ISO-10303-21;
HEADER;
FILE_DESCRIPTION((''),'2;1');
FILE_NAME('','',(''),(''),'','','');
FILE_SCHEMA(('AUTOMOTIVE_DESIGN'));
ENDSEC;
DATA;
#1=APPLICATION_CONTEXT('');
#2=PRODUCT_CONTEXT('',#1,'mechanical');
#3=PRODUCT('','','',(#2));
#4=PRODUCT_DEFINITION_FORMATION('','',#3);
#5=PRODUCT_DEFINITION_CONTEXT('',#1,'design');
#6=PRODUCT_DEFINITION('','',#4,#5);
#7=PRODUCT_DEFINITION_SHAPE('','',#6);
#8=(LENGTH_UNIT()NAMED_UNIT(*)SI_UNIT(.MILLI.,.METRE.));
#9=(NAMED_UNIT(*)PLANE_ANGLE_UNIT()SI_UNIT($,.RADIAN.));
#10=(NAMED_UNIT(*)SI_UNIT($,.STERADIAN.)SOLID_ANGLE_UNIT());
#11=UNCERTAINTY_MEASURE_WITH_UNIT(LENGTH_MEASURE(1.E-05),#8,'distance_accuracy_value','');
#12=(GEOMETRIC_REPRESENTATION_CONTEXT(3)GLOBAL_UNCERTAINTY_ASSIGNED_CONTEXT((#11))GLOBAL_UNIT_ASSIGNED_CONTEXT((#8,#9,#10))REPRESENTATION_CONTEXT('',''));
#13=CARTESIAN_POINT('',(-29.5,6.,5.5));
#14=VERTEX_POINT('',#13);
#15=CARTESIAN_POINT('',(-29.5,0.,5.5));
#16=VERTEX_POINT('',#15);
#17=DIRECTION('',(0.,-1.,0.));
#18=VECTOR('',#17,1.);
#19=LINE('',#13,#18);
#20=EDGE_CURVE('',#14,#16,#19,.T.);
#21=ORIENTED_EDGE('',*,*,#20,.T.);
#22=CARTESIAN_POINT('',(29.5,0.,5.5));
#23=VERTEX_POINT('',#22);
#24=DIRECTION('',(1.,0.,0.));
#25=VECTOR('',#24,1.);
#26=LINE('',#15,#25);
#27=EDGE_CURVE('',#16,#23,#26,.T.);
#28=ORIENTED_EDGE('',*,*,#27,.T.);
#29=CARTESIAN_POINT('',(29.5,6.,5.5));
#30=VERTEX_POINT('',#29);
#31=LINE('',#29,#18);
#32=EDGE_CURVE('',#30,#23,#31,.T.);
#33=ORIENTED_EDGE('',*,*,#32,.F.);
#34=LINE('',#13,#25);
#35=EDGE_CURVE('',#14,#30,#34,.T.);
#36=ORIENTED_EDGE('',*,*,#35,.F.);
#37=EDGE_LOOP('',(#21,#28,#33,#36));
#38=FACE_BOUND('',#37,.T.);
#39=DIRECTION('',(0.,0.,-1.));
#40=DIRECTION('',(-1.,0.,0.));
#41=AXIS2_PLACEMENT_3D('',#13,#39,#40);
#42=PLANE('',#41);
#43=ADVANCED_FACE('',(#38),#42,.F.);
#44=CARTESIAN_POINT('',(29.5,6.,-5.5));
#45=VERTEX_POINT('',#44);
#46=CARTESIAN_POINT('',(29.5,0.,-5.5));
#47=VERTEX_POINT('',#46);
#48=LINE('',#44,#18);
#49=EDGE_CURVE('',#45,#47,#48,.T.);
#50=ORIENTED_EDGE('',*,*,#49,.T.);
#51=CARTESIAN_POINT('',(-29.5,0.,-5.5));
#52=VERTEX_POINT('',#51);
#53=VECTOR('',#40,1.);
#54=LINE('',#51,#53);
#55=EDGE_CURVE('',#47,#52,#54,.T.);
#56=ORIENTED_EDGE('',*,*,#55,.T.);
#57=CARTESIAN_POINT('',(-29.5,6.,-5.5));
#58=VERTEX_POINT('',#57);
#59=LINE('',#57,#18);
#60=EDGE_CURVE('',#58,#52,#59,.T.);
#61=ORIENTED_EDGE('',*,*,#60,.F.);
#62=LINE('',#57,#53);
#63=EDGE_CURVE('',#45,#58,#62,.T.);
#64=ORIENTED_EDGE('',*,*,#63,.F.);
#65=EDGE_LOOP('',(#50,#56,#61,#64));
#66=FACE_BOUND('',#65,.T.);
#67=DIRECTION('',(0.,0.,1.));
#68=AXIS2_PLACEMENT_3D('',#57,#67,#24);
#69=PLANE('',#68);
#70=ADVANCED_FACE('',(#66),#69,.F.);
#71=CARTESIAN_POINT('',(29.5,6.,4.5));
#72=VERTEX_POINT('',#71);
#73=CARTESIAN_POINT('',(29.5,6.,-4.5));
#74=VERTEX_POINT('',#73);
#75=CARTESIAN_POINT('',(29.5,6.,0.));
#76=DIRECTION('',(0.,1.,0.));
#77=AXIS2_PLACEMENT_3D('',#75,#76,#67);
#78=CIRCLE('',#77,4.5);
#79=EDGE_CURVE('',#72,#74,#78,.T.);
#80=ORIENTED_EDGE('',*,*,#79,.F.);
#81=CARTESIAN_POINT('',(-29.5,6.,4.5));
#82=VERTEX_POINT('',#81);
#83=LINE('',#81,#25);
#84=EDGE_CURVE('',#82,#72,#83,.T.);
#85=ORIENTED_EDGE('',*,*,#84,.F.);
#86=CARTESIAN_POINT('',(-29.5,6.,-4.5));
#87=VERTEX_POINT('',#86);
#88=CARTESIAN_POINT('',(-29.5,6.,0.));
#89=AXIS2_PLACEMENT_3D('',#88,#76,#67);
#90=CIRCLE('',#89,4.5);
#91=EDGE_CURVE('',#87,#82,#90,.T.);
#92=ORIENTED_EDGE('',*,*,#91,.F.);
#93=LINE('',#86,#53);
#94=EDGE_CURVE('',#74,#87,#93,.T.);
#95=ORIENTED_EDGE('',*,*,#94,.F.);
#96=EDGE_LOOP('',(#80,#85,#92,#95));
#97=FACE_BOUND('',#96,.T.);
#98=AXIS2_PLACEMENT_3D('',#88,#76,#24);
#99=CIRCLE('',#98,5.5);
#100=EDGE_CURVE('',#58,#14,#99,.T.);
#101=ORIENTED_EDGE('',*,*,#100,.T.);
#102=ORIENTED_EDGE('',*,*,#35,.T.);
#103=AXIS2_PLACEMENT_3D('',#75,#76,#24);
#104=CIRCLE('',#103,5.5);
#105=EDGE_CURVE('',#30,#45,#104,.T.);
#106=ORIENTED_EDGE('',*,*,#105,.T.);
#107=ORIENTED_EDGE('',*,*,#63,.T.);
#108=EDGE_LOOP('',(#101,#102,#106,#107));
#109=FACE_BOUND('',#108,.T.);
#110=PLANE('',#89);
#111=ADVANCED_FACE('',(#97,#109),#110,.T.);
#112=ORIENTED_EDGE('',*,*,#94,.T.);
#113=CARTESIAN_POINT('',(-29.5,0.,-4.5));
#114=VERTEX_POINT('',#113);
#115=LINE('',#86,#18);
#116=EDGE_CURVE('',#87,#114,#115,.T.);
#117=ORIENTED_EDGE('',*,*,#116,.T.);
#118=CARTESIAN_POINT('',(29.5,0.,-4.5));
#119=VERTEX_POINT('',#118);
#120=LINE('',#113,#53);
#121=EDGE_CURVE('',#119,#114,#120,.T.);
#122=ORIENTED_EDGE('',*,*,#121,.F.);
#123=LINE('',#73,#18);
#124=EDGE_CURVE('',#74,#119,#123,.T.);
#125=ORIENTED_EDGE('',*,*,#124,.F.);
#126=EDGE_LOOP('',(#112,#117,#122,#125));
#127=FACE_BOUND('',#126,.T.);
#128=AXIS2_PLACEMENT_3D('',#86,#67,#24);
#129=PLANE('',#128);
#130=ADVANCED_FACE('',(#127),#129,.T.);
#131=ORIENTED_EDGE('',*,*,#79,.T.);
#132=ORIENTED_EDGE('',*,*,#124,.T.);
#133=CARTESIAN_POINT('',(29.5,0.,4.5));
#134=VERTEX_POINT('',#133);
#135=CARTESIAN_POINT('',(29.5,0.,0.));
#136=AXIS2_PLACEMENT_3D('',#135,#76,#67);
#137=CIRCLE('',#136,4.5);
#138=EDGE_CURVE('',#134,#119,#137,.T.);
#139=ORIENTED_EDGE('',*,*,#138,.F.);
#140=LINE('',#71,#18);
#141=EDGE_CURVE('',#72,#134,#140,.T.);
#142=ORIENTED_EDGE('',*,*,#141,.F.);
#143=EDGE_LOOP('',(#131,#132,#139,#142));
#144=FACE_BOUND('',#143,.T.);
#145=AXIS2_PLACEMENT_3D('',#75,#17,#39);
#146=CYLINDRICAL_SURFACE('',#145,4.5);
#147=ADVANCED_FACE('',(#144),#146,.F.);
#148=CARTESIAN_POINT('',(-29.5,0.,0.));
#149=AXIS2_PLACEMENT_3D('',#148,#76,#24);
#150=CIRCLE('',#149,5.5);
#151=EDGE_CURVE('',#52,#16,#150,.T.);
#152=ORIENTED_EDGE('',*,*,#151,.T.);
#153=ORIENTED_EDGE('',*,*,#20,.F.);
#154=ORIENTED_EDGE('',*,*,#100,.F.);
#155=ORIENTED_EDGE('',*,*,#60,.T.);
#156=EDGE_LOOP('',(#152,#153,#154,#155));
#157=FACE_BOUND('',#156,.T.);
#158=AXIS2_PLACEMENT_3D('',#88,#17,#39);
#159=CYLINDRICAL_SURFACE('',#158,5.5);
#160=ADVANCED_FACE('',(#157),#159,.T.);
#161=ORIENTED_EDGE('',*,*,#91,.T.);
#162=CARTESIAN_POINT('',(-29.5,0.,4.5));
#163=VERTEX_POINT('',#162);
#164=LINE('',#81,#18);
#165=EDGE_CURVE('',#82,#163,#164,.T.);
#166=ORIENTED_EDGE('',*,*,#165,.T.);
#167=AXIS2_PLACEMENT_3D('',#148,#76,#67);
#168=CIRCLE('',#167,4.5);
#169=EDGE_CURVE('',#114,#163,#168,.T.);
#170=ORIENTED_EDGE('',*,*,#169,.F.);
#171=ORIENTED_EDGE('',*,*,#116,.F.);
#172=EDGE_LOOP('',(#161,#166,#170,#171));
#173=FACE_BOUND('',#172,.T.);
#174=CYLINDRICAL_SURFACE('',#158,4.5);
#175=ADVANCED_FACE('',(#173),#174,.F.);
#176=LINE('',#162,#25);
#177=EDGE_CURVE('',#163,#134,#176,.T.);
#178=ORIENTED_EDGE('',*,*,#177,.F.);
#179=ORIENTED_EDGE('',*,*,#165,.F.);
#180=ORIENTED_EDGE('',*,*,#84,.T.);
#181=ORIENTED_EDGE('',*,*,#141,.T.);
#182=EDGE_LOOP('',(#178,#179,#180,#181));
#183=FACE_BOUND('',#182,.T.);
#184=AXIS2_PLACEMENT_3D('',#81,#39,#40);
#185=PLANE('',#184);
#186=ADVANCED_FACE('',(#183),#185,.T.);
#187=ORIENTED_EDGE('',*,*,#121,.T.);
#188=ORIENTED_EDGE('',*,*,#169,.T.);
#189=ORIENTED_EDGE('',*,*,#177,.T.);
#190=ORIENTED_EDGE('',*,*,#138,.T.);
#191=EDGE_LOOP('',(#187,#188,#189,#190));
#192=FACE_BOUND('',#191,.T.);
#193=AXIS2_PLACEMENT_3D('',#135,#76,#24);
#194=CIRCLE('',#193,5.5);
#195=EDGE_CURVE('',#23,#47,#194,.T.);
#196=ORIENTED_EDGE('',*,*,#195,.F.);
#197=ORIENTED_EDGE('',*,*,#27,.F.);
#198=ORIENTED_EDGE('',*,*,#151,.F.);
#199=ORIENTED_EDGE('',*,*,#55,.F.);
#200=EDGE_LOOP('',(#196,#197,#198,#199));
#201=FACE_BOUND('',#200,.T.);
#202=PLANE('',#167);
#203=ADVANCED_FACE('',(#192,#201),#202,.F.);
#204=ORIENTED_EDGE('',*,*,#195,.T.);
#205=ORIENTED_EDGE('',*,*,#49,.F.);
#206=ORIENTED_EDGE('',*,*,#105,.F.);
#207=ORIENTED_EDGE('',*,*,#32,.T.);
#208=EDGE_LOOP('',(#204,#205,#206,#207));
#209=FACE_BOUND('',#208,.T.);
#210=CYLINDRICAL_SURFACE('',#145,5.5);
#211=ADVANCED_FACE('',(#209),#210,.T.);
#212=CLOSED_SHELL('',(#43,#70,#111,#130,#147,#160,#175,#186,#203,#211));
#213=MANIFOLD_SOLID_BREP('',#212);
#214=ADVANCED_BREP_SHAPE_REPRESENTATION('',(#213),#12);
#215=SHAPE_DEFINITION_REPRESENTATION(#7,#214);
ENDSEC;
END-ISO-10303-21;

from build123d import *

# Parameters (mm, degrees)
EXTRUDE_1_DEPTH = 6


with BuildPart() as part:
    # 草图1 → 拉伸-薄壁1 (new body)
    with BuildSketch(Plane(origin=(0, 0, 0), x_dir=(1, 0, 0), z_dir=(0, 1, 0))):
        with BuildLine():
            Line((29.5, -5.5), (-29.5, -5.5))
            ThreePointArc((-29.5, -5.5), (-35, 0), (-29.5, 5.5))
            Line((-29.5, 5.5), (29.5, 5.5))
            ThreePointArc((29.5, 5.5), (35, 0), (29.5, -5.5))
        make_face()
        with BuildLine():
            Line((29.5, -4.5), (-29.5, -4.5))
            ThreePointArc((-29.5, -4.5), (-34, 0), (-29.5, 4.5))
            Line((-29.5, 4.5), (29.5, 4.5))
            ThreePointArc((29.5, 4.5), (34, 0), (29.5, -4.5))
        make_face(mode=Mode.SUBTRACT)
    extrude(amount=EXTRUDE_1_DEPTH)


solid = part.part
